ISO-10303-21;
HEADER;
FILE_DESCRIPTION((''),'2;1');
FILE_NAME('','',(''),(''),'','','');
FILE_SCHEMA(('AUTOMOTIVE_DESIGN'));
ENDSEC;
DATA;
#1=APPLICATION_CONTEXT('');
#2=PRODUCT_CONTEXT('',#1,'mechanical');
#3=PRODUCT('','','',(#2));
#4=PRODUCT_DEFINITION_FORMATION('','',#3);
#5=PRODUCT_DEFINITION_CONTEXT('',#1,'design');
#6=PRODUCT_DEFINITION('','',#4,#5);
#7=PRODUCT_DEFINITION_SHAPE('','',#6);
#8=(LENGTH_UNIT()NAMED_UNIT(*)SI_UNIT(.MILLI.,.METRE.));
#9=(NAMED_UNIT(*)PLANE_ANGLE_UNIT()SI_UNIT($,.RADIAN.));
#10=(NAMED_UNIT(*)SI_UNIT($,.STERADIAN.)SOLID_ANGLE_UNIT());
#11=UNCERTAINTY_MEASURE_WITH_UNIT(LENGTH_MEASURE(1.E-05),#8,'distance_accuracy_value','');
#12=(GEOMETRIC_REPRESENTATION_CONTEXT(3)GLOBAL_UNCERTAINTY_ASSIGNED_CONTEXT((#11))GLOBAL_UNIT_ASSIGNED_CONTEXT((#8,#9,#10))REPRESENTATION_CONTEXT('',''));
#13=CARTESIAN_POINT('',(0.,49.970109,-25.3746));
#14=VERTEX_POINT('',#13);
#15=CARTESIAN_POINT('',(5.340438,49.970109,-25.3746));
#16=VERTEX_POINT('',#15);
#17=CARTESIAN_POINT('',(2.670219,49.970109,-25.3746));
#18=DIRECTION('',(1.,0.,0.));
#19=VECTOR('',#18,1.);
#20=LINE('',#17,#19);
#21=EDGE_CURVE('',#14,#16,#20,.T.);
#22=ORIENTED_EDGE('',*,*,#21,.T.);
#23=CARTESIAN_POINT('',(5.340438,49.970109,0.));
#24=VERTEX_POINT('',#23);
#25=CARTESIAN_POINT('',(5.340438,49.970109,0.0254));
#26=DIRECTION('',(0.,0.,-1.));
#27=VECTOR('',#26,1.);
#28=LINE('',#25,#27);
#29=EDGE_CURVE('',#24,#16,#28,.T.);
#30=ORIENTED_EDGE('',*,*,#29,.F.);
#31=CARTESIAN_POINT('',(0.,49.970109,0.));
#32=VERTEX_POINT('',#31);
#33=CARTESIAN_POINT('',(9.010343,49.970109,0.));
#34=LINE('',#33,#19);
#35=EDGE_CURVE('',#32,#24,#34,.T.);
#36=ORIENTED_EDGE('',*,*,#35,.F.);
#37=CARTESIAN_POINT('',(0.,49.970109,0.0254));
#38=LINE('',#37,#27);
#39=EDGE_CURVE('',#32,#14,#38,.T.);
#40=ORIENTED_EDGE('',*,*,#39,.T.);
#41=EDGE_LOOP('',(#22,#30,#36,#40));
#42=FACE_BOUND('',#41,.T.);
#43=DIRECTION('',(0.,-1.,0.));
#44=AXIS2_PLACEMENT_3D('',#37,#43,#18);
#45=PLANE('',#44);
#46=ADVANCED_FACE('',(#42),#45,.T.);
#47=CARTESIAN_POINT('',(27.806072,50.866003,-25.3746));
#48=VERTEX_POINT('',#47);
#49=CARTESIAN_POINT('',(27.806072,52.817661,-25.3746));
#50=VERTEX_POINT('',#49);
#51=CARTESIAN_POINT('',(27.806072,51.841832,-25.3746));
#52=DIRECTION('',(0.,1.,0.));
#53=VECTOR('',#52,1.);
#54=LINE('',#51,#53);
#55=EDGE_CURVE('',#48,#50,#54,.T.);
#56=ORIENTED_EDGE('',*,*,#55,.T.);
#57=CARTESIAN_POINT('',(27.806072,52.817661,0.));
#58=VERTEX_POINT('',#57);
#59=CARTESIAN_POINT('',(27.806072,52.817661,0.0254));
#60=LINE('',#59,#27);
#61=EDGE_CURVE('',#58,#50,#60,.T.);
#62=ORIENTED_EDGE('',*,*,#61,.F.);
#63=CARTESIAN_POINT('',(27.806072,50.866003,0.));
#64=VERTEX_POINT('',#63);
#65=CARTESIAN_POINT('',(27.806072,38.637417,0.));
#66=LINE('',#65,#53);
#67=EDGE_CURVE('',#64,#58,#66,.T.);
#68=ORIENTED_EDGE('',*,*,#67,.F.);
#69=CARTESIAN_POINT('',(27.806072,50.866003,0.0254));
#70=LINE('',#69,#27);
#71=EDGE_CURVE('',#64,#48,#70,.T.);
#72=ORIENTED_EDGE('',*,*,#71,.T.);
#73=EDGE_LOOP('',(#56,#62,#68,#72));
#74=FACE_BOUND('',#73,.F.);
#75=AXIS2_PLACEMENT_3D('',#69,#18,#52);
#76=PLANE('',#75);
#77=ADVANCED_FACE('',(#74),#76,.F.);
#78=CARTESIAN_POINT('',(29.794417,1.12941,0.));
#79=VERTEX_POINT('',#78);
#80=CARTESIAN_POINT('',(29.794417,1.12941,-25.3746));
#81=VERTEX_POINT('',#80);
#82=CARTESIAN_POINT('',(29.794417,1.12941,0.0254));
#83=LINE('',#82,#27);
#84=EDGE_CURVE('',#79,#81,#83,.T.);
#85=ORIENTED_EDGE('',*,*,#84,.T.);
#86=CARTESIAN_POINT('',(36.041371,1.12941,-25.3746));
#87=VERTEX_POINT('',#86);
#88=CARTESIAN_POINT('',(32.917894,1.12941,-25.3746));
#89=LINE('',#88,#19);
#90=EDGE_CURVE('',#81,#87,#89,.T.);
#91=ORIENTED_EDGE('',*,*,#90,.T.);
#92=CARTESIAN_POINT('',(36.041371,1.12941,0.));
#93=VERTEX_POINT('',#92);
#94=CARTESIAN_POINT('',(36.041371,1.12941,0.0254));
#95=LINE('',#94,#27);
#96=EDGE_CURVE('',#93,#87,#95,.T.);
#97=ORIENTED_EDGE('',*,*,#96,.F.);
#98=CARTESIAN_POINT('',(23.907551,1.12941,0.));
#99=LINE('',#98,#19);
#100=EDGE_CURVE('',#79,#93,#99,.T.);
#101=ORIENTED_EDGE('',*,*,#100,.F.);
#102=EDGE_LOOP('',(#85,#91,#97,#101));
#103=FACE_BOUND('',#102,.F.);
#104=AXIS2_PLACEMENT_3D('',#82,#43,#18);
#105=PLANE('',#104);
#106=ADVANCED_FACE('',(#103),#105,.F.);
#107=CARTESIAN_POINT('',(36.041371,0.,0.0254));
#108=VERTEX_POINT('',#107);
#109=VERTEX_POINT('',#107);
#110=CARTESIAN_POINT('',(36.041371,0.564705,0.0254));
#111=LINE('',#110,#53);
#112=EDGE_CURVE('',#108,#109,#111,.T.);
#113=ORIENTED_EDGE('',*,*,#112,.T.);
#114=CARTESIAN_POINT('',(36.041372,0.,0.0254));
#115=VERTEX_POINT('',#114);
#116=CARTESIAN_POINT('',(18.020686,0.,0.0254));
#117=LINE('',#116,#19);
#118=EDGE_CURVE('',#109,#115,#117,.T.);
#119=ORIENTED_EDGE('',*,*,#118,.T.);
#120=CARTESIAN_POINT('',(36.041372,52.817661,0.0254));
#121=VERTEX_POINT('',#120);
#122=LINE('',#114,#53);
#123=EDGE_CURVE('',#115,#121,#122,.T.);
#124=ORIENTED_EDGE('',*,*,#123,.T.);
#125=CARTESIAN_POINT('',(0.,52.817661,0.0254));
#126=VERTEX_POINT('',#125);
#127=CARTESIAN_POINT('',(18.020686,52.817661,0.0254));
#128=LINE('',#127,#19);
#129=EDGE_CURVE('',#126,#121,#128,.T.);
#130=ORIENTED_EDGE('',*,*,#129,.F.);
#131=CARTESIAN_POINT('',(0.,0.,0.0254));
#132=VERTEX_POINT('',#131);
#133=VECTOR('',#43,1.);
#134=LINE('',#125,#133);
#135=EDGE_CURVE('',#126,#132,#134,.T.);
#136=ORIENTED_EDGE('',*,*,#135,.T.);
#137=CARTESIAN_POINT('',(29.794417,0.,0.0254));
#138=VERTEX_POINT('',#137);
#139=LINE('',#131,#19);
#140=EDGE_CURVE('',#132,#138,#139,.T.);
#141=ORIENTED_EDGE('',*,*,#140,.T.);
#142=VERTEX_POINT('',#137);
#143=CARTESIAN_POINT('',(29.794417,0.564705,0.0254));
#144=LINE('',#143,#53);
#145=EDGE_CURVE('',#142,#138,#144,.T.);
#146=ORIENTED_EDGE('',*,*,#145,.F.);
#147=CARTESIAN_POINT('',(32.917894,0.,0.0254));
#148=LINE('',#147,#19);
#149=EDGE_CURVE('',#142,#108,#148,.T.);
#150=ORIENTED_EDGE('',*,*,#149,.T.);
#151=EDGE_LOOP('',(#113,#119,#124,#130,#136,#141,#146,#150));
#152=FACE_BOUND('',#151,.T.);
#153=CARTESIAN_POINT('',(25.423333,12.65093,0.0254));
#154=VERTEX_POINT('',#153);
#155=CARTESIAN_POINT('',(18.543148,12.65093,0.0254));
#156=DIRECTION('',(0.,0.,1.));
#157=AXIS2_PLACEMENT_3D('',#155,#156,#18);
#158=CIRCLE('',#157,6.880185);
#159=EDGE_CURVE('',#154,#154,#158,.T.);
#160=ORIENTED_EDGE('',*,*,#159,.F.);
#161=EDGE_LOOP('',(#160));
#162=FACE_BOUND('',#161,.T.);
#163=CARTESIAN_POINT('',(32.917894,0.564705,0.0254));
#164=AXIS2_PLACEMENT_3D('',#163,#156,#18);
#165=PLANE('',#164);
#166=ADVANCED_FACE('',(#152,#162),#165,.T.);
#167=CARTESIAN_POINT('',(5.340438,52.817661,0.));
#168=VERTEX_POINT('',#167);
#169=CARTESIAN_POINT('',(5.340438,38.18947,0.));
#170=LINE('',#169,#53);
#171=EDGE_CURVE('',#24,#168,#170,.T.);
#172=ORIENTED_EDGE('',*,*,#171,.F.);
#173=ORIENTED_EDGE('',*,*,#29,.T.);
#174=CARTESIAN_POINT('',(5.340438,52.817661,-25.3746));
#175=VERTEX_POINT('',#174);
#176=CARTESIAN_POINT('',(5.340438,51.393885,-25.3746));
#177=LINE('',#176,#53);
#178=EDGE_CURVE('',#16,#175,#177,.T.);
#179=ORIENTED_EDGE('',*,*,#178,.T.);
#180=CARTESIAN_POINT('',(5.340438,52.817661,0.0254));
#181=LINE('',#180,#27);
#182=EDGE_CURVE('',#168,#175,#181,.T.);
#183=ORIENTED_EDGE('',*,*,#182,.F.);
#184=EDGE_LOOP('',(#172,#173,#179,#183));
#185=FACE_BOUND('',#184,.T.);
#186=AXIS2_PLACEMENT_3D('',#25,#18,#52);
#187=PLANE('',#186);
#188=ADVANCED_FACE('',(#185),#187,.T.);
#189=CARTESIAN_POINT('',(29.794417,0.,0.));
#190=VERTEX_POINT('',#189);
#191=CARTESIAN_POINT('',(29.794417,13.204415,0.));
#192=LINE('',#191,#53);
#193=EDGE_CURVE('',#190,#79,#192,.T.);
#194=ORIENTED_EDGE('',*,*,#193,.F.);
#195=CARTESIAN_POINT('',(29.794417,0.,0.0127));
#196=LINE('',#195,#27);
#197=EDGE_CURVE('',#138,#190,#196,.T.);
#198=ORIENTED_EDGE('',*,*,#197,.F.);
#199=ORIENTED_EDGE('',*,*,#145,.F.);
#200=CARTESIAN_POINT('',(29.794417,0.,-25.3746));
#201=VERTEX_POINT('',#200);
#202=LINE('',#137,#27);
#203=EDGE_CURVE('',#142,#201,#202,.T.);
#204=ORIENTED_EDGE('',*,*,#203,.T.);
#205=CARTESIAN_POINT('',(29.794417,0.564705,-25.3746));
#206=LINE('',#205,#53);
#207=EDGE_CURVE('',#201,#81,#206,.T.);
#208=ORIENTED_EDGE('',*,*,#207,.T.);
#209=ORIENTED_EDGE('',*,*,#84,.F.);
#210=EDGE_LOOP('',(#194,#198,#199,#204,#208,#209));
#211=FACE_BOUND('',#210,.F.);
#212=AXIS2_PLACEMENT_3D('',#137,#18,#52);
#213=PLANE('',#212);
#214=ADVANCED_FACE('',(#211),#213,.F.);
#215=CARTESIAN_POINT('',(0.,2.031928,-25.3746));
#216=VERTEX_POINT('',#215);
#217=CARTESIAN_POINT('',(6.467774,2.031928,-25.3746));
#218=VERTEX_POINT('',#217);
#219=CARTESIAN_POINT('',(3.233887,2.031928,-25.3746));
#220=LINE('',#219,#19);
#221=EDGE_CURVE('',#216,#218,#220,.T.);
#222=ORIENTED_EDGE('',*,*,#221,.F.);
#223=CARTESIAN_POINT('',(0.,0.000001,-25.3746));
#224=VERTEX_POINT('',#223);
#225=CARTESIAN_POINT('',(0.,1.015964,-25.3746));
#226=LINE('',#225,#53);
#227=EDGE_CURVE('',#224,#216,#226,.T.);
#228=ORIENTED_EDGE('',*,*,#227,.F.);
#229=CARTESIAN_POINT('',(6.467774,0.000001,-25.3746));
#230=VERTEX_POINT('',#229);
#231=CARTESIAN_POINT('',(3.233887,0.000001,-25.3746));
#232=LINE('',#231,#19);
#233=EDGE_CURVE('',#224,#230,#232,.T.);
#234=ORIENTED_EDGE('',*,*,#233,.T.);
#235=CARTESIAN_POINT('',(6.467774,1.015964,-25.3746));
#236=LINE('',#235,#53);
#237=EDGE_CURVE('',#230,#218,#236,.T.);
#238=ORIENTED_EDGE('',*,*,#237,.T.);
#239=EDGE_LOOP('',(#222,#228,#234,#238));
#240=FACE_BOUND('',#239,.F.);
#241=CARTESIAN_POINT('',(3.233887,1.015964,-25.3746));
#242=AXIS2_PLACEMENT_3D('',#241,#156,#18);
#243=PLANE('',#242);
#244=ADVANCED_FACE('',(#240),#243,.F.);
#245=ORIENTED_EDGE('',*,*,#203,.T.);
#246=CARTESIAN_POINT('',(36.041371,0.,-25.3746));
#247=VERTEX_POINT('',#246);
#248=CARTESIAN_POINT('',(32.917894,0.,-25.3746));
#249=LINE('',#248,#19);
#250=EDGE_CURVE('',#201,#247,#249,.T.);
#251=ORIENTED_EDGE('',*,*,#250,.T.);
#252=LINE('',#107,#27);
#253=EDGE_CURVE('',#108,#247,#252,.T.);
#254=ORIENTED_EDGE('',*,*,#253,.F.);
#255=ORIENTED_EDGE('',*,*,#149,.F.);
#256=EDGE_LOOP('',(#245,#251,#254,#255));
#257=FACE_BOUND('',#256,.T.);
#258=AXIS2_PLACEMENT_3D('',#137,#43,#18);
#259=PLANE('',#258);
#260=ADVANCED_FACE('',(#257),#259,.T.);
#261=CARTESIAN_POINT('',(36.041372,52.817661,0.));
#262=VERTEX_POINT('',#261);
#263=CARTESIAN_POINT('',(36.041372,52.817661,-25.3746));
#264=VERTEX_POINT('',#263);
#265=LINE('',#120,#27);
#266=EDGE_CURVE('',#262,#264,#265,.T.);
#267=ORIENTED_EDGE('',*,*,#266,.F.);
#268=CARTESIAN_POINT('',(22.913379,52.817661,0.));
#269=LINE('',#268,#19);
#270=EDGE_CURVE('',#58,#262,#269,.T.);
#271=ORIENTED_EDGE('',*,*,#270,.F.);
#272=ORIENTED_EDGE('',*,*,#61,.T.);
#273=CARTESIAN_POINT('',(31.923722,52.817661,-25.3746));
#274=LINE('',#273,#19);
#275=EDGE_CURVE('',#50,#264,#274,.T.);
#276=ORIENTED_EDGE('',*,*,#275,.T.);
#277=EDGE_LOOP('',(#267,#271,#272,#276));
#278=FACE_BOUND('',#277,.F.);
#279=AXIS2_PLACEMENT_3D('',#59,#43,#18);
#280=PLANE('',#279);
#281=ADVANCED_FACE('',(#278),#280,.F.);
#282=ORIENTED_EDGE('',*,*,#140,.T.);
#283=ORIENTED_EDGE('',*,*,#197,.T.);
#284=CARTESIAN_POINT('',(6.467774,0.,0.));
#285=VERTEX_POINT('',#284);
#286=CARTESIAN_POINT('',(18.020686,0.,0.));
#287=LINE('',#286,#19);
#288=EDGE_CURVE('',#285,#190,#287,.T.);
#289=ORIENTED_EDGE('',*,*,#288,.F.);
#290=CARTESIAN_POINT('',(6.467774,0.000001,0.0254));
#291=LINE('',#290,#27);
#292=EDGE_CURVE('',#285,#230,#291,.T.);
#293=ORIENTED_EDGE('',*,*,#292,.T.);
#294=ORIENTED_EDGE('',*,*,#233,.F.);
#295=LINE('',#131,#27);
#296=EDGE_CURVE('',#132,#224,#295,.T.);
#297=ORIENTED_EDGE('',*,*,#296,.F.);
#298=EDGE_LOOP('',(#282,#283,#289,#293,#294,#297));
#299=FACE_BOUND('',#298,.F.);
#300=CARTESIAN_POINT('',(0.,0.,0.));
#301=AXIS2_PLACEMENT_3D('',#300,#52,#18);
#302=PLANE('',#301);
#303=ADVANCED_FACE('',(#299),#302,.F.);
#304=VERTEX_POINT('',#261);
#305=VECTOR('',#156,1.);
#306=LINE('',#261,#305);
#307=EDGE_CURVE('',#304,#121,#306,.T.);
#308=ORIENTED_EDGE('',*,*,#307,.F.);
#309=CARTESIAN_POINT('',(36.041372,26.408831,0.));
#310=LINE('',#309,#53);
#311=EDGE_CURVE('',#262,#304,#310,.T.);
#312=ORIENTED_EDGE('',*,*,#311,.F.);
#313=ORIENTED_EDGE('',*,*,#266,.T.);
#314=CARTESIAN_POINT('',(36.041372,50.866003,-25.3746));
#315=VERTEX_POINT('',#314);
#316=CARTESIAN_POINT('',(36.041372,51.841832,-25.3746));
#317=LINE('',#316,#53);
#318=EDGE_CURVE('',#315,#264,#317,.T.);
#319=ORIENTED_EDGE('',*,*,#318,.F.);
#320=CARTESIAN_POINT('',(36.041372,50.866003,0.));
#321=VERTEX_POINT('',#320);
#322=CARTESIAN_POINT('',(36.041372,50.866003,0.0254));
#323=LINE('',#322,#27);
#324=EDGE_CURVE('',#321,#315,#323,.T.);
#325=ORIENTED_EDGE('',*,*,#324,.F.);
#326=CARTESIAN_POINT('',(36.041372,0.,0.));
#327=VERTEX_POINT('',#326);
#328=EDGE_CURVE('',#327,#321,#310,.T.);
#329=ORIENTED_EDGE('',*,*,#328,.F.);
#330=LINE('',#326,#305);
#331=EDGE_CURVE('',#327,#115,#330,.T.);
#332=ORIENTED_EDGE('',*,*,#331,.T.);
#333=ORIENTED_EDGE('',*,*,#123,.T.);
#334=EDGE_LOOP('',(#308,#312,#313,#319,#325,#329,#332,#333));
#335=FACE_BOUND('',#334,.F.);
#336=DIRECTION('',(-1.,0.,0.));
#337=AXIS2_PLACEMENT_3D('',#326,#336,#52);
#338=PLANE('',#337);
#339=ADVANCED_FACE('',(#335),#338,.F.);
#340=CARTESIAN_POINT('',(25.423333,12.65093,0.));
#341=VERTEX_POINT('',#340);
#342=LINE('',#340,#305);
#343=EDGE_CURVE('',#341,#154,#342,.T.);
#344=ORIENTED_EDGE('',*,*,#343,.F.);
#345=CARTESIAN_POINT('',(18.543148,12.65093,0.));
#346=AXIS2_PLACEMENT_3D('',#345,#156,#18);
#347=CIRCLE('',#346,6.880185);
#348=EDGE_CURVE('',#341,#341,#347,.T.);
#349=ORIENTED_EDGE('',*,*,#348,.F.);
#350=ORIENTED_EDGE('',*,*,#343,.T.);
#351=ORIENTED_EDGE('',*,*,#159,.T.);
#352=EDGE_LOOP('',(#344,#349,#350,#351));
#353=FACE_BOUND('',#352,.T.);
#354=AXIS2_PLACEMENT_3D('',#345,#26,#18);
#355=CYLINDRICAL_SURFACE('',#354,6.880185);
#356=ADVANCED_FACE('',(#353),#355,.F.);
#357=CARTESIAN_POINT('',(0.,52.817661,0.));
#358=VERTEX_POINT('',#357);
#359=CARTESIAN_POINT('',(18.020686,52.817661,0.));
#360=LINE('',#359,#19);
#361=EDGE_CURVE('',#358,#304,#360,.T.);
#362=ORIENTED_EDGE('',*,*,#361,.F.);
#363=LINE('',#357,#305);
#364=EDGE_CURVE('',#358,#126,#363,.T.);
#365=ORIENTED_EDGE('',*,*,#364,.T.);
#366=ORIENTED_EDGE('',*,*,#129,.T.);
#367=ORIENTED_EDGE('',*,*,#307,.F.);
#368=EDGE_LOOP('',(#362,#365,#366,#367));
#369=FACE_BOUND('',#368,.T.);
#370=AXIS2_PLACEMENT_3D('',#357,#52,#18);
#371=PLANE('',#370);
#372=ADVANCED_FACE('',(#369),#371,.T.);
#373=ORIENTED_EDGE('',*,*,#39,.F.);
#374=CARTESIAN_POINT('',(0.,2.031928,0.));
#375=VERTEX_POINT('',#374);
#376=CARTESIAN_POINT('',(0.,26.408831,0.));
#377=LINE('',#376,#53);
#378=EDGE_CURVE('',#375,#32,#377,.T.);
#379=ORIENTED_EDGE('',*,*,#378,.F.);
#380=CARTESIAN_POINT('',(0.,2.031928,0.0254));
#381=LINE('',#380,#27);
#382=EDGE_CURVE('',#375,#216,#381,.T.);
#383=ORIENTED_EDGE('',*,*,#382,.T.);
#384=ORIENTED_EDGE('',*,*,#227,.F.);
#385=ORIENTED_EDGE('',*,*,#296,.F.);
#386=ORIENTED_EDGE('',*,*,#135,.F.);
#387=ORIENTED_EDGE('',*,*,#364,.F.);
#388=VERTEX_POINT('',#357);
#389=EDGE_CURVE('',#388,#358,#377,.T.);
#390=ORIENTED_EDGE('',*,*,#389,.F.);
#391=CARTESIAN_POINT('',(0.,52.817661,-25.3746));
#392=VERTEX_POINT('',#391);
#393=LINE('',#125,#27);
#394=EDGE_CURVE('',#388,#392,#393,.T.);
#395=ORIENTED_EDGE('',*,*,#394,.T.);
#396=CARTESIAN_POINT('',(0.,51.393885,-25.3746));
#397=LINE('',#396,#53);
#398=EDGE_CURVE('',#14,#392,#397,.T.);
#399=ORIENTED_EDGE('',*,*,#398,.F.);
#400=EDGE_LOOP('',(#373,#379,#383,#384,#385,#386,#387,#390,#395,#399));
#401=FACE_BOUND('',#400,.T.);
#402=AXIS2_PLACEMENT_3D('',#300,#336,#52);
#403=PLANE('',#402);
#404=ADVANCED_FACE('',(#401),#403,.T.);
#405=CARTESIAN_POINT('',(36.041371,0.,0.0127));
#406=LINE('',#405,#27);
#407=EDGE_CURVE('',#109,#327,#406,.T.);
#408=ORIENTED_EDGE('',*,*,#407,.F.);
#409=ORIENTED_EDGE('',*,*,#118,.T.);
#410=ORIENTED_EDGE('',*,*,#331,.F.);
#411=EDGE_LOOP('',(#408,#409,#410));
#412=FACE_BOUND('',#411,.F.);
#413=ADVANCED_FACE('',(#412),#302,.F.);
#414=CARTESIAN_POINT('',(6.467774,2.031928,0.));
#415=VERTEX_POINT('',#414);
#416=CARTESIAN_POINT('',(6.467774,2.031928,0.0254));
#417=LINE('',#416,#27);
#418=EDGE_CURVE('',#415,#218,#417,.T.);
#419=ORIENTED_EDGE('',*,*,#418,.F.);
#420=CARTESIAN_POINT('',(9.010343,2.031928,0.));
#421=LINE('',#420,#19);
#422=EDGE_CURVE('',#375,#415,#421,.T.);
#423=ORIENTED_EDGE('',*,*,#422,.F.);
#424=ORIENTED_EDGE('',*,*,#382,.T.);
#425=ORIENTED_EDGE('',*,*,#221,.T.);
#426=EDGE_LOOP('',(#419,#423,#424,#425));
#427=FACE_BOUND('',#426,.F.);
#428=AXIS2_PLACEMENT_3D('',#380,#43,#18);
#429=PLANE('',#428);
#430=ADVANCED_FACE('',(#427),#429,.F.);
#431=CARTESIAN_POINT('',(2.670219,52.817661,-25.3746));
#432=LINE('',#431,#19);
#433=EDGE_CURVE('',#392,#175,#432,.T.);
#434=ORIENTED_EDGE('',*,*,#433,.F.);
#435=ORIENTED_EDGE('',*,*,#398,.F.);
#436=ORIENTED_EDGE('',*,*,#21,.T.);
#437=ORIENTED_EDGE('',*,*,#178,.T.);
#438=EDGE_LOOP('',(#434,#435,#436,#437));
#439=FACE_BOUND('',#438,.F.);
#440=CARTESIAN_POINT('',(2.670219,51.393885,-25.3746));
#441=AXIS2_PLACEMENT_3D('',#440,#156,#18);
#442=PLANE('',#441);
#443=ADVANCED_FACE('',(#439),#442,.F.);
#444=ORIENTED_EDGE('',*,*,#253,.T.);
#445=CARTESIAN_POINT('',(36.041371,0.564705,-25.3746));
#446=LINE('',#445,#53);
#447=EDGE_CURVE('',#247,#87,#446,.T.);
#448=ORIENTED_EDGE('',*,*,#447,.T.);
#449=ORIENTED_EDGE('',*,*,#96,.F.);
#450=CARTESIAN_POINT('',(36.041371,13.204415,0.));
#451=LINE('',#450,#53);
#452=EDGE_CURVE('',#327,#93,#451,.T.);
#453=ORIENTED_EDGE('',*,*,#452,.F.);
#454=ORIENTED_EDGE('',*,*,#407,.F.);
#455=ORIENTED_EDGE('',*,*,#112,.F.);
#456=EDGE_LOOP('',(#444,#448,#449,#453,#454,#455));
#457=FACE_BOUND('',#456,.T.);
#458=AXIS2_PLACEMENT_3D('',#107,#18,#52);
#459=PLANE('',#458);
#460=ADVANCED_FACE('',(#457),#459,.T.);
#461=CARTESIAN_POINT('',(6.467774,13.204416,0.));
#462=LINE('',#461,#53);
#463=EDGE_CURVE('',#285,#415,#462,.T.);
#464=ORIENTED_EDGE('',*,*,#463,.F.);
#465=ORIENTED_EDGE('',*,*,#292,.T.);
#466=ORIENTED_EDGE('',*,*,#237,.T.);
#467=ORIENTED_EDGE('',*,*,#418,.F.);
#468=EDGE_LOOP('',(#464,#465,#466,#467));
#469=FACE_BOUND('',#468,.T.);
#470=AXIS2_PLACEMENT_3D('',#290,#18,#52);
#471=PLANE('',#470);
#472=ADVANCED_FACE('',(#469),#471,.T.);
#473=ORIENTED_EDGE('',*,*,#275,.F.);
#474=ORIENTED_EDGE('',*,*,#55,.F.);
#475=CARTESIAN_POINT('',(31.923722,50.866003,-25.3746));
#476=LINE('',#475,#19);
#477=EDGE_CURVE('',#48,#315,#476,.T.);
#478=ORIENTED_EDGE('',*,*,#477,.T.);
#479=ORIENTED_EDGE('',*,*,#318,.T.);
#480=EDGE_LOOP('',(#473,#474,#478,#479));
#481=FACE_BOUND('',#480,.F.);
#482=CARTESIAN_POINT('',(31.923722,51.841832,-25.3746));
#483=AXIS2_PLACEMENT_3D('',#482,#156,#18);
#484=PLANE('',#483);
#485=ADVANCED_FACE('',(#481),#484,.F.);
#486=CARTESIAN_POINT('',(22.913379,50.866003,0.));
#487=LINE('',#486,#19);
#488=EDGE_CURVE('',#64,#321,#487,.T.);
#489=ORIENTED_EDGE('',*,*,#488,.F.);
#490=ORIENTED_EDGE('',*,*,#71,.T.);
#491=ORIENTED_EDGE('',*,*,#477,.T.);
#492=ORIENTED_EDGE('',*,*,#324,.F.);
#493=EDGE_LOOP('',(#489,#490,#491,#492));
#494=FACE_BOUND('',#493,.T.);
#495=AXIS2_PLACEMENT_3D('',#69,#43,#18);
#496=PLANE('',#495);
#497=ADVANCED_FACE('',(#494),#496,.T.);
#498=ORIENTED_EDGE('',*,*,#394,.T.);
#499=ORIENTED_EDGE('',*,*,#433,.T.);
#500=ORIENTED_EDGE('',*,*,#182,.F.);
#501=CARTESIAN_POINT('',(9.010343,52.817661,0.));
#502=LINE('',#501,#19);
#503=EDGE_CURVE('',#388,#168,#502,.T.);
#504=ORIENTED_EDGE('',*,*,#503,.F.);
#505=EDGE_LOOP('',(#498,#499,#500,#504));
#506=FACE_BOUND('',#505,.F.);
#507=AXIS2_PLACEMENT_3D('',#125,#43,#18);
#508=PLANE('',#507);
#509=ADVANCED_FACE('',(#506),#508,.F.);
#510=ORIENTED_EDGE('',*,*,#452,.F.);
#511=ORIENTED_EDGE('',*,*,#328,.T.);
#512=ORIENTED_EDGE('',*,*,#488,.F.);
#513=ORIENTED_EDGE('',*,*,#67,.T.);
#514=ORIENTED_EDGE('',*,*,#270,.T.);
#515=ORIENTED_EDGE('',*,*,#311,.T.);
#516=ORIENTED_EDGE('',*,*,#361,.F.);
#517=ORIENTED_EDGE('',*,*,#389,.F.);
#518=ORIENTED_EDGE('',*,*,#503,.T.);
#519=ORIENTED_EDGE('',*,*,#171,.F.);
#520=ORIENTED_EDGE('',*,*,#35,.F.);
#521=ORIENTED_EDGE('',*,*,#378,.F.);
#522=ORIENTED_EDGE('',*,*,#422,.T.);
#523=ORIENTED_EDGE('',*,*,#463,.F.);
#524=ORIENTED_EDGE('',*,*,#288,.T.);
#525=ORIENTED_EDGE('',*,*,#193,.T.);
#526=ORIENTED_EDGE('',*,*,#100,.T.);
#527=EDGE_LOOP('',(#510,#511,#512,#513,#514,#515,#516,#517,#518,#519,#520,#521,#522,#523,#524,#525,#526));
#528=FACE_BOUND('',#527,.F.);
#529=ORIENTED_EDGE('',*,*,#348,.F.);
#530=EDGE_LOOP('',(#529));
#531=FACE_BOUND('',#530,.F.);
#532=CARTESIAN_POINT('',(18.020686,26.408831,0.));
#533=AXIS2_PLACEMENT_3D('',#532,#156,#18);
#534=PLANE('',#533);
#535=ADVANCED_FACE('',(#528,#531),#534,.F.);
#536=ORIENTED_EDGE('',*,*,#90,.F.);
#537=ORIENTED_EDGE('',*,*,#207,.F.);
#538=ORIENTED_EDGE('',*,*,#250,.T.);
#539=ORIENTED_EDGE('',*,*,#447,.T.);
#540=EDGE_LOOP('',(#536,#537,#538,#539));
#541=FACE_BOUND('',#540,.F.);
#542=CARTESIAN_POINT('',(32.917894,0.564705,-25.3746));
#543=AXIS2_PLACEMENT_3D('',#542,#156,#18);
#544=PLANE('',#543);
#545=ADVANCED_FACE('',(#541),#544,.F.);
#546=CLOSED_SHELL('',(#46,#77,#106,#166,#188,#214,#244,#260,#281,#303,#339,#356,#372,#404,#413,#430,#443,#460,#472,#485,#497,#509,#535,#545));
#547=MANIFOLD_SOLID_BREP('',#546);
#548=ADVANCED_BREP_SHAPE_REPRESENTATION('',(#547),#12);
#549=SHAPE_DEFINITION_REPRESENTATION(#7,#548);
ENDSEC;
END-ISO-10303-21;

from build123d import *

# Parameters (mm, degrees)
F0_W     = 36.041372
F0_H     = 52.817661
F0_R     = 6.880185
F1_DEPTH = 0.0254
F2_W     = 6.246955
F2_H     = 1.12941
F2_W_2   = 6.467774
F2_H_2   = 2.031927
F2_W_3   = 8.2353
F2_H_3   = 1.951657
F2_W_4   = 5.340438
F2_H_4   = 2.847552
F3_DEPTH = 25.4


with BuildPart() as f1:
    # F0 (on Top) → F1 (new body)
    with BuildSketch(Plane.XY):
        with Locations((18.020686, 26.408831)):
            Rectangle(F0_W, F0_H)
        with Locations((18.543148, 12.65093)):
            Circle(F0_R, mode=Mode.SUBTRACT)
    extrude(amount=F1_DEPTH)

    # F2 (on face) → F3 (join)
    with BuildSketch(Plane.XY.offset(0.0254)):
        with Locations((32.917894, 0.564705)):
            Rectangle(F2_W, F2_H)
        with Locations((3.233887, 1.015964)):
            Rectangle(F2_W_2, F2_H_2)
        with Locations((31.923722, 51.841832)):
            Rectangle(F2_W_3, F2_H_3)
        with Locations((2.670219, 51.393885)):
            Rectangle(F2_W_4, F2_H_4)
    extrude(amount=-F3_DEPTH)


solid = f1.part
